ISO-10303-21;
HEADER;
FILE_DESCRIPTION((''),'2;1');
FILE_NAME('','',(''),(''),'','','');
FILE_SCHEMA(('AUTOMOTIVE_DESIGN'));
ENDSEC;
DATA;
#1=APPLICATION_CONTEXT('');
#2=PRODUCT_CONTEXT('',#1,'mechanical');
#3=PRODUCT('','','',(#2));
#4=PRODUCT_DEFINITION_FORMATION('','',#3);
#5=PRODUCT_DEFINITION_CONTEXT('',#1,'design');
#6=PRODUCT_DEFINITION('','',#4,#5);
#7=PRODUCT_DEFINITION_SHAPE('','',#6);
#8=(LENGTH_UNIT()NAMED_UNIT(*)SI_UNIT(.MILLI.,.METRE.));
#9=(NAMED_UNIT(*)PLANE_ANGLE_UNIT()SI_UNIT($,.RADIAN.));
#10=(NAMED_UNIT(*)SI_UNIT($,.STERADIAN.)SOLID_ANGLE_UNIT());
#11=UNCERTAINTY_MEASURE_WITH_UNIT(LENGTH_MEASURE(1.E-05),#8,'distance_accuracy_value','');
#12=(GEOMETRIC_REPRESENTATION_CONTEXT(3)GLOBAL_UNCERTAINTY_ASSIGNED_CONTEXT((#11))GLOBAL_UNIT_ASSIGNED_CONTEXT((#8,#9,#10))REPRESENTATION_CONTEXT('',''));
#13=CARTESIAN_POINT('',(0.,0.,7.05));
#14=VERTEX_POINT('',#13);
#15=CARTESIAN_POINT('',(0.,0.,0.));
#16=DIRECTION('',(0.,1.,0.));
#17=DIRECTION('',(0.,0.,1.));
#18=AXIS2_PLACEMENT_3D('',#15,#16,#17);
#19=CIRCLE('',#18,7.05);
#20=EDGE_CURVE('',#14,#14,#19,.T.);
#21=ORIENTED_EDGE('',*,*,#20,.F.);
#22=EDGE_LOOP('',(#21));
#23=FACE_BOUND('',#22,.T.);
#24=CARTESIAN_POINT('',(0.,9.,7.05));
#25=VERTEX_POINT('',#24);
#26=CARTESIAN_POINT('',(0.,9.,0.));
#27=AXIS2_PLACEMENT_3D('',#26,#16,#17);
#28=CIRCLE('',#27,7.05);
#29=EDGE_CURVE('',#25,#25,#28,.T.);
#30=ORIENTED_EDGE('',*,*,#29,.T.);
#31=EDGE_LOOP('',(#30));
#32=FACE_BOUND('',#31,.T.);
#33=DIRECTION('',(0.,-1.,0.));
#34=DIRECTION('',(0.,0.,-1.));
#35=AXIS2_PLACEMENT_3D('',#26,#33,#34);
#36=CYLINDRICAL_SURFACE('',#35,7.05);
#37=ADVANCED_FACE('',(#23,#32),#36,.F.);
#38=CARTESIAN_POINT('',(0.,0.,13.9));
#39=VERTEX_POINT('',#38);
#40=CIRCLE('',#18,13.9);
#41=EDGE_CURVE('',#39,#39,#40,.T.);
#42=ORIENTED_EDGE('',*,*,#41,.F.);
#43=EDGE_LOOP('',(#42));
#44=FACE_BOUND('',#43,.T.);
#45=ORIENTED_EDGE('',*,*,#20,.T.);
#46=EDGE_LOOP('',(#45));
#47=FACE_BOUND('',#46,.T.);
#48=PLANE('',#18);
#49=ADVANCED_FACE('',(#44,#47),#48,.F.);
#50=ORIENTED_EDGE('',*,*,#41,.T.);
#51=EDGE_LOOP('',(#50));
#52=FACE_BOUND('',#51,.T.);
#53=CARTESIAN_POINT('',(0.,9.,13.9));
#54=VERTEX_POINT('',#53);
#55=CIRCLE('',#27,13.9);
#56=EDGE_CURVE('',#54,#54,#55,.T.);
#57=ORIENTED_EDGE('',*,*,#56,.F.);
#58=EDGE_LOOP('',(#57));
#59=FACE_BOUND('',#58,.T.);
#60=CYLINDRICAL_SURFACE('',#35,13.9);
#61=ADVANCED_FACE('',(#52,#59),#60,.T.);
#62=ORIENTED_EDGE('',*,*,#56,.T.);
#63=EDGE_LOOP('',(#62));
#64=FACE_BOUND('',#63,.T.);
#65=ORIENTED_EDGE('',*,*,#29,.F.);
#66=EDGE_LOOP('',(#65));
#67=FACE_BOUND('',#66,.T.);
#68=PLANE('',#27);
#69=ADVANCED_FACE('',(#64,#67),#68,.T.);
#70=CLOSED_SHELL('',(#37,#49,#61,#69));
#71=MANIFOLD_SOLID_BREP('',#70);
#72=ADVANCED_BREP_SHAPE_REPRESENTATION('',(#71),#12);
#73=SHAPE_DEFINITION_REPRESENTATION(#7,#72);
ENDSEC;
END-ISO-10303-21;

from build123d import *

# Parameters (mm, degrees)
ESQUISSE1_R        = 13.9
ESQUISSE1_R_2      = 7.05
BOSS_EXTRU_1_DEPTH = 9


with BuildPart() as part:
    # Esquisse1 → Boss.-Extru.1 (new body)
    with BuildSketch(Plane(origin=(0, 0, 0), x_dir=(1, 0, 0), z_dir=(0, 1, 0))):
        with Locations(Location((0, 0, 0), (0, 0, 270))):  # turned: the seam where the file's is
            Circle(ESQUISSE1_R)
        with Locations(Location((0, 0, 0), (0, 0, 270))):  # turned: the seam where the file's is
            Circle(ESQUISSE1_R_2, mode=Mode.SUBTRACT)
    extrude(amount=BOSS_EXTRU_1_DEPTH)


solid = part.part
